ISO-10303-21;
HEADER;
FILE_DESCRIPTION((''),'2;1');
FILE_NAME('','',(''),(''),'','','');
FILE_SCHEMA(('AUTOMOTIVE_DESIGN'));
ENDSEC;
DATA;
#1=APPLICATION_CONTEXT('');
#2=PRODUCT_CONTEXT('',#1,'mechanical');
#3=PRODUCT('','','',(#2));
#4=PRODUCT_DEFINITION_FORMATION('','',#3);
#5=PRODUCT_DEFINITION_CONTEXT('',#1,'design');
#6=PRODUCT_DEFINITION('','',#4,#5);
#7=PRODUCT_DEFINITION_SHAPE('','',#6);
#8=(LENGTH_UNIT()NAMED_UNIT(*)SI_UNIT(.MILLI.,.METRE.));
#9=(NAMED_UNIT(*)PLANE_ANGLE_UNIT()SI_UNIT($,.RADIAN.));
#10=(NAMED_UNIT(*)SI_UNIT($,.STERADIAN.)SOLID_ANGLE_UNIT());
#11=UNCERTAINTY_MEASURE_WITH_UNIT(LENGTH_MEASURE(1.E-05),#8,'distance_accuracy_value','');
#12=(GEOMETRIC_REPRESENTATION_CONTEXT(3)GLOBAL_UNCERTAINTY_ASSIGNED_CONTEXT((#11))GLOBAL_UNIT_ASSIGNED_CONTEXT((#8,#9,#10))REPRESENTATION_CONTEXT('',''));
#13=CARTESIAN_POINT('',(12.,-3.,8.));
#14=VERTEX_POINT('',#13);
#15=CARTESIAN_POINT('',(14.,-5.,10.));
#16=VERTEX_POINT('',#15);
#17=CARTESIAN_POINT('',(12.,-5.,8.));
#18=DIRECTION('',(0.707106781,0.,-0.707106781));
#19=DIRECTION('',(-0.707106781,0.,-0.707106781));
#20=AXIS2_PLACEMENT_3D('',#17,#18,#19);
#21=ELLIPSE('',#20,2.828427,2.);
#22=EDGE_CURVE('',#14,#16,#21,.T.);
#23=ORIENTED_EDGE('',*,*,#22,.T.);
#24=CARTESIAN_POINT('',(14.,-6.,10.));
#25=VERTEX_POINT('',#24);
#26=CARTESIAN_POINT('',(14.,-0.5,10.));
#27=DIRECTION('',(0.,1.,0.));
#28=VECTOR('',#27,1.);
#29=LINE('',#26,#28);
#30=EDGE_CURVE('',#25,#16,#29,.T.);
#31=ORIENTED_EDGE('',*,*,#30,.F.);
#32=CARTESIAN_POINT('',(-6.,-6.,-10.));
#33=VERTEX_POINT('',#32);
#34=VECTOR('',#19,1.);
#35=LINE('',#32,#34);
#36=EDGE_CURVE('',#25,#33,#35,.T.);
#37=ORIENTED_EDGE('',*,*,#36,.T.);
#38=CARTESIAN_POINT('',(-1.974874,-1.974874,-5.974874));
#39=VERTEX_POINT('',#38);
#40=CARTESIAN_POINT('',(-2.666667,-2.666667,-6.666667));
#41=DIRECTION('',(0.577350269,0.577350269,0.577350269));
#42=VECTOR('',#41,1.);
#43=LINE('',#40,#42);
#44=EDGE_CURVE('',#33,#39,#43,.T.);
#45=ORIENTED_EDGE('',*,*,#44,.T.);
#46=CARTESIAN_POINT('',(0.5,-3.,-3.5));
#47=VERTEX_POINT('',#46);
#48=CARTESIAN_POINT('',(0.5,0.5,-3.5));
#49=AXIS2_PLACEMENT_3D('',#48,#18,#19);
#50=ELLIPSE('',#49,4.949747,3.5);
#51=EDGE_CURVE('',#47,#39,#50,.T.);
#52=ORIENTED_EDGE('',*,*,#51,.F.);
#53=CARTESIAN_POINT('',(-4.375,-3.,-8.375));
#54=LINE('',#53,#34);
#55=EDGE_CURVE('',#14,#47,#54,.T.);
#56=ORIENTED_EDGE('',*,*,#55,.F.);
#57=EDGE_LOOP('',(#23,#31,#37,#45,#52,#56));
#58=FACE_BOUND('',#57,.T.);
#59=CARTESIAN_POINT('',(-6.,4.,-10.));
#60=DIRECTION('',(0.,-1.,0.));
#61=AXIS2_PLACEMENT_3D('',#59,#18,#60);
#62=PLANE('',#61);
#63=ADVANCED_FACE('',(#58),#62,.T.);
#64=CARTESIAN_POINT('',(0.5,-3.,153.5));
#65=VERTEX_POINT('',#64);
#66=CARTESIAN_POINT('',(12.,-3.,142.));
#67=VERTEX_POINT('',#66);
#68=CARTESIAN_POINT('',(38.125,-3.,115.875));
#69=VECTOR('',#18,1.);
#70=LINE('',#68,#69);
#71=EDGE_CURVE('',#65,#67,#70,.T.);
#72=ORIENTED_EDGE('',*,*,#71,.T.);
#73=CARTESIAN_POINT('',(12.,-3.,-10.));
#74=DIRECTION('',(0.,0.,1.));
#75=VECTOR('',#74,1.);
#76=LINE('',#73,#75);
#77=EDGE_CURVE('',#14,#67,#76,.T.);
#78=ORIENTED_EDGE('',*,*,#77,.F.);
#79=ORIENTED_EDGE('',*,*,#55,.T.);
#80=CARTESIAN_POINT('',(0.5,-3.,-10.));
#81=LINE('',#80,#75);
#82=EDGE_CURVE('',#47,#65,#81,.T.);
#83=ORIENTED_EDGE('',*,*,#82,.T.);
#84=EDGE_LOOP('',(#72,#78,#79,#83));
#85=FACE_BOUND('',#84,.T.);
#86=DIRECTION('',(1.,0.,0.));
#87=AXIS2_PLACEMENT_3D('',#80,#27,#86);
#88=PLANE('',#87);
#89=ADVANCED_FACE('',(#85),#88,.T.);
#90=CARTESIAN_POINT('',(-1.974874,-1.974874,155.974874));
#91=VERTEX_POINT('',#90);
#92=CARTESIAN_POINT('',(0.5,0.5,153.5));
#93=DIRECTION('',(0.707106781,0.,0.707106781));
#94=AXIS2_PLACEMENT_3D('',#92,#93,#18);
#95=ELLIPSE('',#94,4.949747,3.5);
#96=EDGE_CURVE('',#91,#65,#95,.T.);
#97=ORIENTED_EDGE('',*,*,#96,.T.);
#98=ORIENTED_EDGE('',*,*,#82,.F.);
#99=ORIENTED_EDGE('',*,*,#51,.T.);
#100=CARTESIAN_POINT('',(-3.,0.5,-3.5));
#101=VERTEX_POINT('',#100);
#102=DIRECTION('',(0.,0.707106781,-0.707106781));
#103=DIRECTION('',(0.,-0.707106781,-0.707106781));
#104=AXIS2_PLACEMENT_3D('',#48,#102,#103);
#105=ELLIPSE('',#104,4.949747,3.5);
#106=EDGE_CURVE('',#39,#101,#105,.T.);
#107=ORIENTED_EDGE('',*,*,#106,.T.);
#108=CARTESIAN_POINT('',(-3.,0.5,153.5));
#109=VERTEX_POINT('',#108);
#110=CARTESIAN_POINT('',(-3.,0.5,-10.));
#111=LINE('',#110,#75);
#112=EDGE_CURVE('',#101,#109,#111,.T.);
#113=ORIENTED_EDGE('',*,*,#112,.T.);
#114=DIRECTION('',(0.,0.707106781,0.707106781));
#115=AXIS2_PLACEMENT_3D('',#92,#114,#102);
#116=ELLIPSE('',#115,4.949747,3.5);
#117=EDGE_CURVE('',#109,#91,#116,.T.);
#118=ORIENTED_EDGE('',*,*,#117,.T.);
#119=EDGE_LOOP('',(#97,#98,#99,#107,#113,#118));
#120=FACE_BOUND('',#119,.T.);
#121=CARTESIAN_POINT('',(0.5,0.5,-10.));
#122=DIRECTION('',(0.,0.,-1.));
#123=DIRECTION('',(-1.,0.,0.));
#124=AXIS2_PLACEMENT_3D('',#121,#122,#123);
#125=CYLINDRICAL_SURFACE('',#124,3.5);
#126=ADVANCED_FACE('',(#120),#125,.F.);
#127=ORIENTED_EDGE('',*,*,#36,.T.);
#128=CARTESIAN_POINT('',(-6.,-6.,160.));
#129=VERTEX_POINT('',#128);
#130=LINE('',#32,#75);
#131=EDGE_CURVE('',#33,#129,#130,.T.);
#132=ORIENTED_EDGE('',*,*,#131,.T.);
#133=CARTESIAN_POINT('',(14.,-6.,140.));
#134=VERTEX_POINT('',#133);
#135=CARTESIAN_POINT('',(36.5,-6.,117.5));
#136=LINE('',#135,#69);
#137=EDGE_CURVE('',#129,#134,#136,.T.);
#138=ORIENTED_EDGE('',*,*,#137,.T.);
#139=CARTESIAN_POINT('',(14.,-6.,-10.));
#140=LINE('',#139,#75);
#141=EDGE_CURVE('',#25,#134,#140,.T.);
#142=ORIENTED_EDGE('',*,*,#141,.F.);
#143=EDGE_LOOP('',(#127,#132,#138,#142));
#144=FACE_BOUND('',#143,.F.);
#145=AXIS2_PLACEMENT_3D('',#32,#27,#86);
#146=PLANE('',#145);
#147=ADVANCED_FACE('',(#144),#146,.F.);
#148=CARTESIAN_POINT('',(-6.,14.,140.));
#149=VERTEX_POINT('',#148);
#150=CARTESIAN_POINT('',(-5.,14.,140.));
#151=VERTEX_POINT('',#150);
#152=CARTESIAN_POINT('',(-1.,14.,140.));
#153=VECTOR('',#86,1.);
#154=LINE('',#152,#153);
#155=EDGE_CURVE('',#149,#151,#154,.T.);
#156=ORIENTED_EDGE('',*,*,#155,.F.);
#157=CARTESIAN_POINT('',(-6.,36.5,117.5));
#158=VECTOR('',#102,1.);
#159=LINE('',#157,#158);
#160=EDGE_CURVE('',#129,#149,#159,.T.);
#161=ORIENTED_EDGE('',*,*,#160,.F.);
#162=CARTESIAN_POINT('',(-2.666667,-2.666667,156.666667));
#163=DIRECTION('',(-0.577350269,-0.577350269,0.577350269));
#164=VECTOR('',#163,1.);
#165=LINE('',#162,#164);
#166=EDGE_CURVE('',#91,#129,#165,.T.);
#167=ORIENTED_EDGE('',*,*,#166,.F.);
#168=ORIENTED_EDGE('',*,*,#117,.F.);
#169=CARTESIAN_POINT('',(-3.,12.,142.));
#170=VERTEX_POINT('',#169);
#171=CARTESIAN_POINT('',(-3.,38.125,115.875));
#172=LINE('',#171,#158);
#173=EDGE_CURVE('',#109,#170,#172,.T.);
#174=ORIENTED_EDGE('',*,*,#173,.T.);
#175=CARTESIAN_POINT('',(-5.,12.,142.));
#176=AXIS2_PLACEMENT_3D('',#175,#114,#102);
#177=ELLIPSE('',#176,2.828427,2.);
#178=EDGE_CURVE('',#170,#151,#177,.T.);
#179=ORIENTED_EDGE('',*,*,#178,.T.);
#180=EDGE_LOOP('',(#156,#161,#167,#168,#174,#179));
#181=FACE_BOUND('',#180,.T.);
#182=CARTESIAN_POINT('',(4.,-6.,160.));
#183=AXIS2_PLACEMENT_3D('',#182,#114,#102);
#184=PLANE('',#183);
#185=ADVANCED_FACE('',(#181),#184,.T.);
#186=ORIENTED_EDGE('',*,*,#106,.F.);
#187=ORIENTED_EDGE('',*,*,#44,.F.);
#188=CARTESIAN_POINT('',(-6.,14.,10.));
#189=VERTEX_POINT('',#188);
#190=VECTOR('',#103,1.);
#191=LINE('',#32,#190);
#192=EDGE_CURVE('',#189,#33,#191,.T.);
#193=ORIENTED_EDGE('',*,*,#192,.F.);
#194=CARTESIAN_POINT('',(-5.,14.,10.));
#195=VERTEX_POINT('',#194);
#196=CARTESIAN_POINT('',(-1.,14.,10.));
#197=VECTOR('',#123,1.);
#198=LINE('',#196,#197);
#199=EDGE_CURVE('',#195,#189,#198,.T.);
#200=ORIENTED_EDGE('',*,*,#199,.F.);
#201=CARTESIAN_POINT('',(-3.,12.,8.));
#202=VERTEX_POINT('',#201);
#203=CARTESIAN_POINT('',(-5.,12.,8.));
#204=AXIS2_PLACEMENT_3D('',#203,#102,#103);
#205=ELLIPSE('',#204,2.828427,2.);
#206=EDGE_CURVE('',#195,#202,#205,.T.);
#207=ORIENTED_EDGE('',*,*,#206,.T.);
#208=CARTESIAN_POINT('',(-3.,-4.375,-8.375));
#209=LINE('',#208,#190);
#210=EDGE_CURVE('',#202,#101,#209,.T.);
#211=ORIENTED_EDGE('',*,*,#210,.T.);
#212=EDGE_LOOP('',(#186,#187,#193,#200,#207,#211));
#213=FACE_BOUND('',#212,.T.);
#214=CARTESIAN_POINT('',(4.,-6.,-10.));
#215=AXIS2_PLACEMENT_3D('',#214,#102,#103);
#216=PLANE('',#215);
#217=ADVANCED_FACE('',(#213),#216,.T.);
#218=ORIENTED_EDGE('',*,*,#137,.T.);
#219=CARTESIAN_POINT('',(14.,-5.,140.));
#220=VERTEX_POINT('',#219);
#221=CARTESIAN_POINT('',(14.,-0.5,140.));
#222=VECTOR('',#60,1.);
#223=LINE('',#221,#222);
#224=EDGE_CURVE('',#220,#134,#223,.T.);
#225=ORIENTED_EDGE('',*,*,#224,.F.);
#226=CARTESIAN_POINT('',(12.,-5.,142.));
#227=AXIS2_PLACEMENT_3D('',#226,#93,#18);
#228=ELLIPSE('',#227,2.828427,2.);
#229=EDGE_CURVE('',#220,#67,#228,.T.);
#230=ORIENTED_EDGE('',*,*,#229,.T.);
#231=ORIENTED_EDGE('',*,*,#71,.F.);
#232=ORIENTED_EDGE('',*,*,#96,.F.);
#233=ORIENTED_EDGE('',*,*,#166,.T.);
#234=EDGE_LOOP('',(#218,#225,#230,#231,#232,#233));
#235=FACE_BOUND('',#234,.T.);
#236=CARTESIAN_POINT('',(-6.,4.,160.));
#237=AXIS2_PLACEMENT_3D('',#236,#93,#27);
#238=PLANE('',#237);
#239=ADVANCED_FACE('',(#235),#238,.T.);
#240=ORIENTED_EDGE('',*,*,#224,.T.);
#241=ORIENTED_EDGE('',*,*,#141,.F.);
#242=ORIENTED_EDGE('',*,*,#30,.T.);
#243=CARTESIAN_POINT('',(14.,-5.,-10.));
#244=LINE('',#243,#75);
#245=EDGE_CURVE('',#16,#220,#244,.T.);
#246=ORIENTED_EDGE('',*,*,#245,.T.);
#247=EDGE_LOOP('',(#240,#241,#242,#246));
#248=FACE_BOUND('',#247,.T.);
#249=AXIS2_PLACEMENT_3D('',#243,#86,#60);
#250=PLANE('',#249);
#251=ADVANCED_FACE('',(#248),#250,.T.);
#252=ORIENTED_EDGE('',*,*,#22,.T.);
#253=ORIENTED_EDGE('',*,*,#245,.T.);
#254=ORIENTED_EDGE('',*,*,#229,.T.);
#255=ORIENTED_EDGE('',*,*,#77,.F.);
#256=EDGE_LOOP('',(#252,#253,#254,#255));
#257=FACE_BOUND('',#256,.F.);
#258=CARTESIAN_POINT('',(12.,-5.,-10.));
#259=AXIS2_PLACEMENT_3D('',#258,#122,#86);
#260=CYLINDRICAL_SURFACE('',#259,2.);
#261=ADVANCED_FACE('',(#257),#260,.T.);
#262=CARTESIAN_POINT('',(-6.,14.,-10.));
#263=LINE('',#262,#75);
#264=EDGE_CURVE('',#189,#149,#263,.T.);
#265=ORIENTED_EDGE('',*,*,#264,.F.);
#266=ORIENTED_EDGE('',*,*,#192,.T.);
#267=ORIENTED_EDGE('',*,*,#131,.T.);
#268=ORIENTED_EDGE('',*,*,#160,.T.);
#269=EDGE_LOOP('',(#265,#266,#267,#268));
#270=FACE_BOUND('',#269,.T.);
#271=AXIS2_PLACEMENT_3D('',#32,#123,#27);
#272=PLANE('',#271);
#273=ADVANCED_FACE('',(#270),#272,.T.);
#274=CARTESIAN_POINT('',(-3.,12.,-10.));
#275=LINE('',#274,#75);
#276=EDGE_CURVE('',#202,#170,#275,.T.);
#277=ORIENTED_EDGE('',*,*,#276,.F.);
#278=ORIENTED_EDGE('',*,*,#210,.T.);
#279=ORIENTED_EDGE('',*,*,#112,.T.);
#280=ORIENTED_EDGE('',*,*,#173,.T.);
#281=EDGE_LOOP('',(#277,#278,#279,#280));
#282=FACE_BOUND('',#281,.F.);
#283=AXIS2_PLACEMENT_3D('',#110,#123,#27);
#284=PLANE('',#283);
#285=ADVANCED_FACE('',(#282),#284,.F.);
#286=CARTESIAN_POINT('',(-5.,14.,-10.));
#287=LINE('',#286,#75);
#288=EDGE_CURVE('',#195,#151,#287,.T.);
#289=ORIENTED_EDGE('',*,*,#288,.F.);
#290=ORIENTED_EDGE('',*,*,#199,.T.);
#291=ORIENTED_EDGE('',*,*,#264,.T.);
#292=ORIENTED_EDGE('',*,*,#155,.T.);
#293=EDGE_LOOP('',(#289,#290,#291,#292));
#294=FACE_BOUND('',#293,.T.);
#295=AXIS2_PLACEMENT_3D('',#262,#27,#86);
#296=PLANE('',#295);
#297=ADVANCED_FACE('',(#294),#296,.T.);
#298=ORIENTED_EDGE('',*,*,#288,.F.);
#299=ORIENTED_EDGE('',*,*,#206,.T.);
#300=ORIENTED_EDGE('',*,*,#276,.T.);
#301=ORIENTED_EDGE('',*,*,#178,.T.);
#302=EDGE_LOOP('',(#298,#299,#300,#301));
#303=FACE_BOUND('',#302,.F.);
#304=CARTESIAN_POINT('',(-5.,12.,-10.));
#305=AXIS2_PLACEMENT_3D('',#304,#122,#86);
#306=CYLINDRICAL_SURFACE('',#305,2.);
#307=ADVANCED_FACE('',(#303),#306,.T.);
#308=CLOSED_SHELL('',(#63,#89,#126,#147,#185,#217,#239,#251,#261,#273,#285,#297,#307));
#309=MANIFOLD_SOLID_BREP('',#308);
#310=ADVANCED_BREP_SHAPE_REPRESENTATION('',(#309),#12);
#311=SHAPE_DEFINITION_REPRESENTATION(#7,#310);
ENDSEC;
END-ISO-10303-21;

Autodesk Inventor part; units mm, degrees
ref_plane "Start plane" through (0, 0, -10) normal (0, 0, 1) x (1, 0, 0)
ref_plane "End plane" through (0, 0, 160) normal (0, 0, 1) x (1, 0, 0)
sketch "Sketch" plane through (0, 0, 0) normal (0, 0, 1) x (1, 0, 0)
  line L0 (-3, 0.5) -> (-3, 12)
  line L1 (-6, 14) -> (-5, 14)
  line L2 (-6, -6) -> (-6, 14)
  line L3 (-6, -6) -> (14, -6)
  line L4 (14, -5) -> (14, -6)
  line L5 (0.5, -3) -> (12, -3)
  arc A0 (-3, 0.5) -> (0.5, -3) centre (0.5, 0.5) ccw
  arc A1 (-3, 12) -> (-5, 14) centre (-5, 12) ccw
  arc A2 (14, -5) -> (12, -3) centre (12, -5) ccw
  line L6 (0, 18.4971) -> (0, -10.0828) construction
  line L7 (-10.0828, 0) -> (18.4971, 0) construction
  point P0 (-3, -3)
  point P1 (-3, 14)
  point P2 (14, -3)
  dimension "d4" = 20
  dimension "d6" = 20
  dimension "d8" = 3
  dimension "d10" = 3
  dimension "d17" = 3.5
  dimension "d18" = 2
  dimension "d19" = 6
  dimension "d20" = 6
extrude "Body" add sketch "Sketch" along normal up to surface (170 mm away) from surface at -10
sketch "Sketch3" plane through (0, 0, 0) normal (0, 0, 1) x (1, 0, 0)
  line L0 (0, 0) -> (10, 0)
ref_plane "Work Plane10" through (0, 0, 0) normal (0, -1, 0) x (1, 0, 0)
sketch "Sketch4" plane through (0, 0, 0) normal (0, -1, 0) x (1, 0, 0)
  line L0 (-2, -10) -> (12, -10)
  line L1 (-2, 160) -> (12, 160)
  dimension "d24" = 170
ref_plane "Work Plane11" through (-6, 4, 160) normal (0.7071, 0, 0.7071) x (0.7071, 0, -0.7071)
split "Split1" plane through (-6, 4, 160) removes the side toward (0.7071, 0, 0.7071)
ref_plane "Work Plane12" through (-6, 4, -10) normal (0.7071, 0, -0.7071) x (-0.7071, 0, -0.7071)
split "Split2" plane through (-6, 4, -10) removes the side toward (0.7071, 0, -0.7071)
ref_plane "Work Plane13" through (4, -6, 160) normal (0, 0.7071, 0.7071) x (1, 0, 0)
split "Split3" plane through (4, -6, 160) removes the side toward (0, 0.7071, 0.7071)
ref_plane "Work Plane14" through (4, -6, -10) normal (0, 0.7071, -0.7071) x (1, 0, 0)
split "Split4" plane through (4, -6, -10) removes the side toward (0, 0.7071, -0.7071)
equation "\"d4\" = b"
equation "\"d6\" = b"
equation "\"d8\" = ParT"
equation "\"d10\" = ParT"
equation "\"d17\" = R"
equation "\"d18\" = R1"
equation "\"d19\" = ex"
equation "\"d20\" = d19"
equation "\"d11\" = G_L"
equation "\"b\" = 20"
equation "\"ParT\" = 3"
equation "\"R\" = 3.5"
equation "\"R1\" = 2"
equation "\"G_L\" = d24"
equation "\"ex\" = 6"
equation "\"G_OFFSET_START\" = 10"
equation "\"G_OFFSET_END\" = 10"
equation "\"d21\" = -G_OFFSET_START"
equation "\"d22\" = G_OFFSET_END + B_L"
equation "\"B_L\" = 150"
properties part number "ISO 657-1 - L20x20x3-170" material "Stainless Steel"
